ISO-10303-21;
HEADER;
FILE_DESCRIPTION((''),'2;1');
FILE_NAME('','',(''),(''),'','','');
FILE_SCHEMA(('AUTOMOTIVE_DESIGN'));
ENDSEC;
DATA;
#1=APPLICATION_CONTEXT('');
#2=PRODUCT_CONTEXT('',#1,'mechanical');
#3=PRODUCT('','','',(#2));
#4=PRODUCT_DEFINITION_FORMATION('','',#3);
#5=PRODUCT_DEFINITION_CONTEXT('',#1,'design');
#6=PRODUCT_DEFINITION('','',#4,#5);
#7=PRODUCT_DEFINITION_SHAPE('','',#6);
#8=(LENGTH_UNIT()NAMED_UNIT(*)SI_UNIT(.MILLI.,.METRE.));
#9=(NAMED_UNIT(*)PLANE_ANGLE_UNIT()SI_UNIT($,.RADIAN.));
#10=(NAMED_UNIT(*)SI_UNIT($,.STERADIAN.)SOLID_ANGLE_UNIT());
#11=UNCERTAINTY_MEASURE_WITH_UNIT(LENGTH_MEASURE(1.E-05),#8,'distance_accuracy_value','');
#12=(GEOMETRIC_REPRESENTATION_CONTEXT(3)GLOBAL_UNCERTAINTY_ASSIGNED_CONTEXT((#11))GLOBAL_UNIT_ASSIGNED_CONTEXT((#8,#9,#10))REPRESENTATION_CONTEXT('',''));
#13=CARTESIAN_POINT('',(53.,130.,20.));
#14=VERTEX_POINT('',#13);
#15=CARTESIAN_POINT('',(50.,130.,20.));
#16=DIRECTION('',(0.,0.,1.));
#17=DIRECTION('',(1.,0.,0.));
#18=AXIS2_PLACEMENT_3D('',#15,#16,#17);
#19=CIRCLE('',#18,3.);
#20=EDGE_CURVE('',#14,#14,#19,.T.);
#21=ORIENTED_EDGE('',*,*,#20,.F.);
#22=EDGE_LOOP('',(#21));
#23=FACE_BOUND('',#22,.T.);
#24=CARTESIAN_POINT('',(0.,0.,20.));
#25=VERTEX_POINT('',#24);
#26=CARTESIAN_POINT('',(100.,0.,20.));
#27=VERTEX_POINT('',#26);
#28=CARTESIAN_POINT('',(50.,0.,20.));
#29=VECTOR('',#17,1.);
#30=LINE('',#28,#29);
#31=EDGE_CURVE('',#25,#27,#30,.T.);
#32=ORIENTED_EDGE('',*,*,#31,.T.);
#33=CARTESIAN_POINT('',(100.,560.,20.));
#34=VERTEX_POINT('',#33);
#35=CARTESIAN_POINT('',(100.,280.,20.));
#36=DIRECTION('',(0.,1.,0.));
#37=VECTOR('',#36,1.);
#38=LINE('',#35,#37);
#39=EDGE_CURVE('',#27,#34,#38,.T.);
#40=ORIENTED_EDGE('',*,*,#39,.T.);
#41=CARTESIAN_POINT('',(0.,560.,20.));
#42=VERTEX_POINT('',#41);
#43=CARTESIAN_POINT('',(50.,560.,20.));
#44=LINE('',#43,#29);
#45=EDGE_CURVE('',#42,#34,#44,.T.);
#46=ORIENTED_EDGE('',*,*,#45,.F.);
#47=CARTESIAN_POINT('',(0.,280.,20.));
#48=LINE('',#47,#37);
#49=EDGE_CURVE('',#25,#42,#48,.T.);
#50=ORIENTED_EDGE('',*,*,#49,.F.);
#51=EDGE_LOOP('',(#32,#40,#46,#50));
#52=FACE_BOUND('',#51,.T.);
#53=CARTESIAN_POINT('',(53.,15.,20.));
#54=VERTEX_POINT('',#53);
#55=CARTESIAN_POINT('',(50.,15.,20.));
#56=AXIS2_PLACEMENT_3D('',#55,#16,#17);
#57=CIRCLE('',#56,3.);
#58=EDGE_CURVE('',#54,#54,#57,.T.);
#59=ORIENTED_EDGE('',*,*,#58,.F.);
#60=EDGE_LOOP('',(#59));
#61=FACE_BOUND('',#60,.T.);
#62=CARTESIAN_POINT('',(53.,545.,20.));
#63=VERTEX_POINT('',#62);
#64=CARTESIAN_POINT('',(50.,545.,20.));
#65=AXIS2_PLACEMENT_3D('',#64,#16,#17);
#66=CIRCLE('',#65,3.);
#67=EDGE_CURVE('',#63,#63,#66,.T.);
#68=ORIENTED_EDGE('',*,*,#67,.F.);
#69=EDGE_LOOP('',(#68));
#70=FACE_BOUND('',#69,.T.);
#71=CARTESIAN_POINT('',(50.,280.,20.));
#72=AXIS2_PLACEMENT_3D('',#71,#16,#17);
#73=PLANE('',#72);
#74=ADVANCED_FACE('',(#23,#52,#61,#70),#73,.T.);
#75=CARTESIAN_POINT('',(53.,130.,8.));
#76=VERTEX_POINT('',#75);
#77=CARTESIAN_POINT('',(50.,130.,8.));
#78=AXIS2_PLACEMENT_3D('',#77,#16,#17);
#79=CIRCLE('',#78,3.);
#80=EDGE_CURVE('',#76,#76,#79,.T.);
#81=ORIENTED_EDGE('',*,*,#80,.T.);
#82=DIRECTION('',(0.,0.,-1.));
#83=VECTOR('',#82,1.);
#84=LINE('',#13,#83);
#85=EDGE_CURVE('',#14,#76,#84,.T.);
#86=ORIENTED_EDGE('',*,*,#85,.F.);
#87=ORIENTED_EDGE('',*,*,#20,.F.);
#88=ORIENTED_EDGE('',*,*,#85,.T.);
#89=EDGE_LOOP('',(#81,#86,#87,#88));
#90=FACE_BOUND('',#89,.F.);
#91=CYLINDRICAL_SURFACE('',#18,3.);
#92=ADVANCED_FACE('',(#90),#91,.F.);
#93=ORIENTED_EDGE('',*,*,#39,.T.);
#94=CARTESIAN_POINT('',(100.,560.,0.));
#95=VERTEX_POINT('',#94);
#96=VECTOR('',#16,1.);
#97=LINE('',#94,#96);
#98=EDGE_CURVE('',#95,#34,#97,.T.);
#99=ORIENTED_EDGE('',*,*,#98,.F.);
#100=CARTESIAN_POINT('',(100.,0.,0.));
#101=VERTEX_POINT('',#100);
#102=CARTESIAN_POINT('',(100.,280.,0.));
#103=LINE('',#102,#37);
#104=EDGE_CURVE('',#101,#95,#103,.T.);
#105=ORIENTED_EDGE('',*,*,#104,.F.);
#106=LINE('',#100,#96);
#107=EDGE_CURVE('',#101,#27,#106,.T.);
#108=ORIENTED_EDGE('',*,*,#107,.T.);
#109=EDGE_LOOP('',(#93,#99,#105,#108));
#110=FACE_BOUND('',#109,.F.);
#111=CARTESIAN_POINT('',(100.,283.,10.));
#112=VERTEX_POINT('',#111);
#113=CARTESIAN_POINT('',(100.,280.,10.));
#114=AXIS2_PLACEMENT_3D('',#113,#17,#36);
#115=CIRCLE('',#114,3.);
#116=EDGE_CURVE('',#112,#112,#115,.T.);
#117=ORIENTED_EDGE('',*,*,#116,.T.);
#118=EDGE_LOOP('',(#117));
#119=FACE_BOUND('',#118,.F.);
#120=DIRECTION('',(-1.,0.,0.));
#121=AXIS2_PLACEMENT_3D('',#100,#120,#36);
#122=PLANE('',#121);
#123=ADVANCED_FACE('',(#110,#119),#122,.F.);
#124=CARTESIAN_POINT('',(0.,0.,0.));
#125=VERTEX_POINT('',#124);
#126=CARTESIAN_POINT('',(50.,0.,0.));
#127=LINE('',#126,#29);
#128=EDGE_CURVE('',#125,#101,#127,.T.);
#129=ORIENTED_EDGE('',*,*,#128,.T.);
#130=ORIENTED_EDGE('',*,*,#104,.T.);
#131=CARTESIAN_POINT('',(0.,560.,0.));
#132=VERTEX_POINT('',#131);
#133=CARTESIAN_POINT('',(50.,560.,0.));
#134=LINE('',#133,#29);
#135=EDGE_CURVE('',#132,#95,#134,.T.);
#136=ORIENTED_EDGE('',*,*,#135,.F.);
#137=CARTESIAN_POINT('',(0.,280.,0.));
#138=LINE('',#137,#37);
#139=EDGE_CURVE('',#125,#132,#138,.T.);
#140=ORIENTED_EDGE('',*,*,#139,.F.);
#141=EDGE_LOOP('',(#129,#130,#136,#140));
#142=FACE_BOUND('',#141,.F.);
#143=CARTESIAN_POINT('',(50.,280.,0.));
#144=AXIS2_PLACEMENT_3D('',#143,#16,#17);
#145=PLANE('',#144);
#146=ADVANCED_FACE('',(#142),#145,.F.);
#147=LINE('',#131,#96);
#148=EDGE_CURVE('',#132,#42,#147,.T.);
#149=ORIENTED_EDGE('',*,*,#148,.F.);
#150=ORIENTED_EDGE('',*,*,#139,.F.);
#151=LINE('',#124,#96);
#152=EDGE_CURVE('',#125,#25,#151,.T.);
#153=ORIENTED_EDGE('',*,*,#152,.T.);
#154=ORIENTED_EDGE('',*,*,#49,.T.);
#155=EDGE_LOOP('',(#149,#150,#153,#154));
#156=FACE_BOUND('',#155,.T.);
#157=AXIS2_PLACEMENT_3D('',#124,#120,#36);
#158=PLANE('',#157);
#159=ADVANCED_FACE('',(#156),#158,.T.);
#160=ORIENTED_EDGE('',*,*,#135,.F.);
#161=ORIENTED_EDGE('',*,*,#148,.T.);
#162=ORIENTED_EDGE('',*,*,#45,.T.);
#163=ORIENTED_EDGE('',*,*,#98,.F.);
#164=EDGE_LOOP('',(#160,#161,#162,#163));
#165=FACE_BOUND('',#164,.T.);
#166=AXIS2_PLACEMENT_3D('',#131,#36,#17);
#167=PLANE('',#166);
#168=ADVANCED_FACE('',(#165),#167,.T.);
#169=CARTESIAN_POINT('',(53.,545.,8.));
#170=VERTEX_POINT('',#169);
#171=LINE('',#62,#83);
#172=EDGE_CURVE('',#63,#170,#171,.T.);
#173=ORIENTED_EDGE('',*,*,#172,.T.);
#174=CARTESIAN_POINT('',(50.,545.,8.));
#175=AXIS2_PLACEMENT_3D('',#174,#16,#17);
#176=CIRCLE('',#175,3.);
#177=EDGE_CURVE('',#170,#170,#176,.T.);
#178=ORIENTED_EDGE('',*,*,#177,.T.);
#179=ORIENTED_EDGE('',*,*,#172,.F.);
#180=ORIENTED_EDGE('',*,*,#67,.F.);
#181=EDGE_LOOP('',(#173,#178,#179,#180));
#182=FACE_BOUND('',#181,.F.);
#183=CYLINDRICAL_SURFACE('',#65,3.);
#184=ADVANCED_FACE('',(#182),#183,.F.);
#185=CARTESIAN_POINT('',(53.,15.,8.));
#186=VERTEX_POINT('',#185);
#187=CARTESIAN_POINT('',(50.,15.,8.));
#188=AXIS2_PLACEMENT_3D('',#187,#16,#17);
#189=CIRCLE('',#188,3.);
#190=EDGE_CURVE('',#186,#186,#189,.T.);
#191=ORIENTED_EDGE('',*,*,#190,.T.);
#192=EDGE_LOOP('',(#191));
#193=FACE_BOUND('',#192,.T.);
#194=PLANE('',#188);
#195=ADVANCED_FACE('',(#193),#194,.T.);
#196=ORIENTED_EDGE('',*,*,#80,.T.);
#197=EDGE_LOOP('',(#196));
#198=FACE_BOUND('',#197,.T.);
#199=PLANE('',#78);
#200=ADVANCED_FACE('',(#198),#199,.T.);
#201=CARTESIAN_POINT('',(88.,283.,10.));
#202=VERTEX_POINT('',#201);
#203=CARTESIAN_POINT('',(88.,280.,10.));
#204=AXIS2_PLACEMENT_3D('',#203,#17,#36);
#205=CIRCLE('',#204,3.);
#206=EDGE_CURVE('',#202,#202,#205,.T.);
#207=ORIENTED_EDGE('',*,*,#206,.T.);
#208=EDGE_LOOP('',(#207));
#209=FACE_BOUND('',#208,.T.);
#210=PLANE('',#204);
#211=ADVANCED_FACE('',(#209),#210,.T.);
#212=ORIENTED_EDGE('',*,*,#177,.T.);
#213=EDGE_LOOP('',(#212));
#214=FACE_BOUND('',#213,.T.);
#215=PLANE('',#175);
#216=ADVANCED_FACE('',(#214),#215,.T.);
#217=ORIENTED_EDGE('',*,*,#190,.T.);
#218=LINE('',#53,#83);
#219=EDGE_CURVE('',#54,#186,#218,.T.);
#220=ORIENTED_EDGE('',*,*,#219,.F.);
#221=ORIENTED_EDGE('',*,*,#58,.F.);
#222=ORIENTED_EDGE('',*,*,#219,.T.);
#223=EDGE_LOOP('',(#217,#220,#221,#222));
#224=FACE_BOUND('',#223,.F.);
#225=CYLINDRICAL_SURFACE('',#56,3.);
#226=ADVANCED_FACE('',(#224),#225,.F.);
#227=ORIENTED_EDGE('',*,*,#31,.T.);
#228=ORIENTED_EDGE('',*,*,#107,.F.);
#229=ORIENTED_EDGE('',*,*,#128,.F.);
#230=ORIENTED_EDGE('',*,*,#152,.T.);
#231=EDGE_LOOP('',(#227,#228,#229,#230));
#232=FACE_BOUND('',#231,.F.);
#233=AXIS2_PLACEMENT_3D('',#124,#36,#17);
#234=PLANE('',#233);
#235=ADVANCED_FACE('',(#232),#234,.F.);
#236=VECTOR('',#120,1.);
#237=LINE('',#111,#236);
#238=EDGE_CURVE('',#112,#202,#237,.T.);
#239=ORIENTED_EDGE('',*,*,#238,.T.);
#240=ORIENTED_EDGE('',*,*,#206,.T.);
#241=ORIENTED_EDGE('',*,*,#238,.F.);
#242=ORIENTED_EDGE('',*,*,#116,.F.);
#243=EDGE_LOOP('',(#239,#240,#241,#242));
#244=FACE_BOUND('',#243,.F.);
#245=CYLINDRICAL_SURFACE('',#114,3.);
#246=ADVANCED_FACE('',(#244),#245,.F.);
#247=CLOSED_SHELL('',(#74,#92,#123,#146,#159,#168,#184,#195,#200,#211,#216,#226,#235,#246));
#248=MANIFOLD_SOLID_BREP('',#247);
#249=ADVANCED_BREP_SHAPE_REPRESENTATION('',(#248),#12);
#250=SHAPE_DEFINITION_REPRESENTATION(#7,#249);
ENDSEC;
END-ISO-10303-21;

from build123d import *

# Parameters (mm, degrees)
F0_W     = 100
F0_H     = 560
F1_DEPTH = 20
F2_R     = 3
F3_DEPTH = 12
F4_R     = 3
F5_DEPTH = 12
F6_R     = 3
F7_DEPTH = 12
F8_R     = 3
F9_DEPTH = 12


with BuildPart() as f1:
    # F0 (on Top) → F1 (new body)
    with BuildSketch(Plane.XY):
        with Locations((50, 280)):
            Rectangle(F0_W, F0_H)
    extrude(amount=F1_DEPTH)

    # F2 (on face) → F3 (cut)
    with BuildSketch(Plane.XY.offset(20)):
        with Locations((50, 15)):
            Circle(F2_R)
    extrude(amount=-F3_DEPTH, mode=Mode.SUBTRACT)

    # F4 (on face) → F5 (cut)
    with BuildSketch(Plane.XY.offset(20)):
        with Locations((50, 545)):
            Circle(F4_R)
    extrude(amount=-F5_DEPTH, mode=Mode.SUBTRACT)

    # F6 (on face) → F7 (cut)
    with BuildSketch(Plane.XY.offset(20)):
        with Locations((50, 130)):
            Circle(F6_R)
    extrude(amount=-F7_DEPTH, mode=Mode.SUBTRACT)

    # F8 (on face) → F9 (cut)
    with BuildSketch(Plane.YZ.offset(100)):
        with Locations((280, 10)):
            Circle(F8_R)
    extrude(amount=-F9_DEPTH, mode=Mode.SUBTRACT)


solid = f1.part
